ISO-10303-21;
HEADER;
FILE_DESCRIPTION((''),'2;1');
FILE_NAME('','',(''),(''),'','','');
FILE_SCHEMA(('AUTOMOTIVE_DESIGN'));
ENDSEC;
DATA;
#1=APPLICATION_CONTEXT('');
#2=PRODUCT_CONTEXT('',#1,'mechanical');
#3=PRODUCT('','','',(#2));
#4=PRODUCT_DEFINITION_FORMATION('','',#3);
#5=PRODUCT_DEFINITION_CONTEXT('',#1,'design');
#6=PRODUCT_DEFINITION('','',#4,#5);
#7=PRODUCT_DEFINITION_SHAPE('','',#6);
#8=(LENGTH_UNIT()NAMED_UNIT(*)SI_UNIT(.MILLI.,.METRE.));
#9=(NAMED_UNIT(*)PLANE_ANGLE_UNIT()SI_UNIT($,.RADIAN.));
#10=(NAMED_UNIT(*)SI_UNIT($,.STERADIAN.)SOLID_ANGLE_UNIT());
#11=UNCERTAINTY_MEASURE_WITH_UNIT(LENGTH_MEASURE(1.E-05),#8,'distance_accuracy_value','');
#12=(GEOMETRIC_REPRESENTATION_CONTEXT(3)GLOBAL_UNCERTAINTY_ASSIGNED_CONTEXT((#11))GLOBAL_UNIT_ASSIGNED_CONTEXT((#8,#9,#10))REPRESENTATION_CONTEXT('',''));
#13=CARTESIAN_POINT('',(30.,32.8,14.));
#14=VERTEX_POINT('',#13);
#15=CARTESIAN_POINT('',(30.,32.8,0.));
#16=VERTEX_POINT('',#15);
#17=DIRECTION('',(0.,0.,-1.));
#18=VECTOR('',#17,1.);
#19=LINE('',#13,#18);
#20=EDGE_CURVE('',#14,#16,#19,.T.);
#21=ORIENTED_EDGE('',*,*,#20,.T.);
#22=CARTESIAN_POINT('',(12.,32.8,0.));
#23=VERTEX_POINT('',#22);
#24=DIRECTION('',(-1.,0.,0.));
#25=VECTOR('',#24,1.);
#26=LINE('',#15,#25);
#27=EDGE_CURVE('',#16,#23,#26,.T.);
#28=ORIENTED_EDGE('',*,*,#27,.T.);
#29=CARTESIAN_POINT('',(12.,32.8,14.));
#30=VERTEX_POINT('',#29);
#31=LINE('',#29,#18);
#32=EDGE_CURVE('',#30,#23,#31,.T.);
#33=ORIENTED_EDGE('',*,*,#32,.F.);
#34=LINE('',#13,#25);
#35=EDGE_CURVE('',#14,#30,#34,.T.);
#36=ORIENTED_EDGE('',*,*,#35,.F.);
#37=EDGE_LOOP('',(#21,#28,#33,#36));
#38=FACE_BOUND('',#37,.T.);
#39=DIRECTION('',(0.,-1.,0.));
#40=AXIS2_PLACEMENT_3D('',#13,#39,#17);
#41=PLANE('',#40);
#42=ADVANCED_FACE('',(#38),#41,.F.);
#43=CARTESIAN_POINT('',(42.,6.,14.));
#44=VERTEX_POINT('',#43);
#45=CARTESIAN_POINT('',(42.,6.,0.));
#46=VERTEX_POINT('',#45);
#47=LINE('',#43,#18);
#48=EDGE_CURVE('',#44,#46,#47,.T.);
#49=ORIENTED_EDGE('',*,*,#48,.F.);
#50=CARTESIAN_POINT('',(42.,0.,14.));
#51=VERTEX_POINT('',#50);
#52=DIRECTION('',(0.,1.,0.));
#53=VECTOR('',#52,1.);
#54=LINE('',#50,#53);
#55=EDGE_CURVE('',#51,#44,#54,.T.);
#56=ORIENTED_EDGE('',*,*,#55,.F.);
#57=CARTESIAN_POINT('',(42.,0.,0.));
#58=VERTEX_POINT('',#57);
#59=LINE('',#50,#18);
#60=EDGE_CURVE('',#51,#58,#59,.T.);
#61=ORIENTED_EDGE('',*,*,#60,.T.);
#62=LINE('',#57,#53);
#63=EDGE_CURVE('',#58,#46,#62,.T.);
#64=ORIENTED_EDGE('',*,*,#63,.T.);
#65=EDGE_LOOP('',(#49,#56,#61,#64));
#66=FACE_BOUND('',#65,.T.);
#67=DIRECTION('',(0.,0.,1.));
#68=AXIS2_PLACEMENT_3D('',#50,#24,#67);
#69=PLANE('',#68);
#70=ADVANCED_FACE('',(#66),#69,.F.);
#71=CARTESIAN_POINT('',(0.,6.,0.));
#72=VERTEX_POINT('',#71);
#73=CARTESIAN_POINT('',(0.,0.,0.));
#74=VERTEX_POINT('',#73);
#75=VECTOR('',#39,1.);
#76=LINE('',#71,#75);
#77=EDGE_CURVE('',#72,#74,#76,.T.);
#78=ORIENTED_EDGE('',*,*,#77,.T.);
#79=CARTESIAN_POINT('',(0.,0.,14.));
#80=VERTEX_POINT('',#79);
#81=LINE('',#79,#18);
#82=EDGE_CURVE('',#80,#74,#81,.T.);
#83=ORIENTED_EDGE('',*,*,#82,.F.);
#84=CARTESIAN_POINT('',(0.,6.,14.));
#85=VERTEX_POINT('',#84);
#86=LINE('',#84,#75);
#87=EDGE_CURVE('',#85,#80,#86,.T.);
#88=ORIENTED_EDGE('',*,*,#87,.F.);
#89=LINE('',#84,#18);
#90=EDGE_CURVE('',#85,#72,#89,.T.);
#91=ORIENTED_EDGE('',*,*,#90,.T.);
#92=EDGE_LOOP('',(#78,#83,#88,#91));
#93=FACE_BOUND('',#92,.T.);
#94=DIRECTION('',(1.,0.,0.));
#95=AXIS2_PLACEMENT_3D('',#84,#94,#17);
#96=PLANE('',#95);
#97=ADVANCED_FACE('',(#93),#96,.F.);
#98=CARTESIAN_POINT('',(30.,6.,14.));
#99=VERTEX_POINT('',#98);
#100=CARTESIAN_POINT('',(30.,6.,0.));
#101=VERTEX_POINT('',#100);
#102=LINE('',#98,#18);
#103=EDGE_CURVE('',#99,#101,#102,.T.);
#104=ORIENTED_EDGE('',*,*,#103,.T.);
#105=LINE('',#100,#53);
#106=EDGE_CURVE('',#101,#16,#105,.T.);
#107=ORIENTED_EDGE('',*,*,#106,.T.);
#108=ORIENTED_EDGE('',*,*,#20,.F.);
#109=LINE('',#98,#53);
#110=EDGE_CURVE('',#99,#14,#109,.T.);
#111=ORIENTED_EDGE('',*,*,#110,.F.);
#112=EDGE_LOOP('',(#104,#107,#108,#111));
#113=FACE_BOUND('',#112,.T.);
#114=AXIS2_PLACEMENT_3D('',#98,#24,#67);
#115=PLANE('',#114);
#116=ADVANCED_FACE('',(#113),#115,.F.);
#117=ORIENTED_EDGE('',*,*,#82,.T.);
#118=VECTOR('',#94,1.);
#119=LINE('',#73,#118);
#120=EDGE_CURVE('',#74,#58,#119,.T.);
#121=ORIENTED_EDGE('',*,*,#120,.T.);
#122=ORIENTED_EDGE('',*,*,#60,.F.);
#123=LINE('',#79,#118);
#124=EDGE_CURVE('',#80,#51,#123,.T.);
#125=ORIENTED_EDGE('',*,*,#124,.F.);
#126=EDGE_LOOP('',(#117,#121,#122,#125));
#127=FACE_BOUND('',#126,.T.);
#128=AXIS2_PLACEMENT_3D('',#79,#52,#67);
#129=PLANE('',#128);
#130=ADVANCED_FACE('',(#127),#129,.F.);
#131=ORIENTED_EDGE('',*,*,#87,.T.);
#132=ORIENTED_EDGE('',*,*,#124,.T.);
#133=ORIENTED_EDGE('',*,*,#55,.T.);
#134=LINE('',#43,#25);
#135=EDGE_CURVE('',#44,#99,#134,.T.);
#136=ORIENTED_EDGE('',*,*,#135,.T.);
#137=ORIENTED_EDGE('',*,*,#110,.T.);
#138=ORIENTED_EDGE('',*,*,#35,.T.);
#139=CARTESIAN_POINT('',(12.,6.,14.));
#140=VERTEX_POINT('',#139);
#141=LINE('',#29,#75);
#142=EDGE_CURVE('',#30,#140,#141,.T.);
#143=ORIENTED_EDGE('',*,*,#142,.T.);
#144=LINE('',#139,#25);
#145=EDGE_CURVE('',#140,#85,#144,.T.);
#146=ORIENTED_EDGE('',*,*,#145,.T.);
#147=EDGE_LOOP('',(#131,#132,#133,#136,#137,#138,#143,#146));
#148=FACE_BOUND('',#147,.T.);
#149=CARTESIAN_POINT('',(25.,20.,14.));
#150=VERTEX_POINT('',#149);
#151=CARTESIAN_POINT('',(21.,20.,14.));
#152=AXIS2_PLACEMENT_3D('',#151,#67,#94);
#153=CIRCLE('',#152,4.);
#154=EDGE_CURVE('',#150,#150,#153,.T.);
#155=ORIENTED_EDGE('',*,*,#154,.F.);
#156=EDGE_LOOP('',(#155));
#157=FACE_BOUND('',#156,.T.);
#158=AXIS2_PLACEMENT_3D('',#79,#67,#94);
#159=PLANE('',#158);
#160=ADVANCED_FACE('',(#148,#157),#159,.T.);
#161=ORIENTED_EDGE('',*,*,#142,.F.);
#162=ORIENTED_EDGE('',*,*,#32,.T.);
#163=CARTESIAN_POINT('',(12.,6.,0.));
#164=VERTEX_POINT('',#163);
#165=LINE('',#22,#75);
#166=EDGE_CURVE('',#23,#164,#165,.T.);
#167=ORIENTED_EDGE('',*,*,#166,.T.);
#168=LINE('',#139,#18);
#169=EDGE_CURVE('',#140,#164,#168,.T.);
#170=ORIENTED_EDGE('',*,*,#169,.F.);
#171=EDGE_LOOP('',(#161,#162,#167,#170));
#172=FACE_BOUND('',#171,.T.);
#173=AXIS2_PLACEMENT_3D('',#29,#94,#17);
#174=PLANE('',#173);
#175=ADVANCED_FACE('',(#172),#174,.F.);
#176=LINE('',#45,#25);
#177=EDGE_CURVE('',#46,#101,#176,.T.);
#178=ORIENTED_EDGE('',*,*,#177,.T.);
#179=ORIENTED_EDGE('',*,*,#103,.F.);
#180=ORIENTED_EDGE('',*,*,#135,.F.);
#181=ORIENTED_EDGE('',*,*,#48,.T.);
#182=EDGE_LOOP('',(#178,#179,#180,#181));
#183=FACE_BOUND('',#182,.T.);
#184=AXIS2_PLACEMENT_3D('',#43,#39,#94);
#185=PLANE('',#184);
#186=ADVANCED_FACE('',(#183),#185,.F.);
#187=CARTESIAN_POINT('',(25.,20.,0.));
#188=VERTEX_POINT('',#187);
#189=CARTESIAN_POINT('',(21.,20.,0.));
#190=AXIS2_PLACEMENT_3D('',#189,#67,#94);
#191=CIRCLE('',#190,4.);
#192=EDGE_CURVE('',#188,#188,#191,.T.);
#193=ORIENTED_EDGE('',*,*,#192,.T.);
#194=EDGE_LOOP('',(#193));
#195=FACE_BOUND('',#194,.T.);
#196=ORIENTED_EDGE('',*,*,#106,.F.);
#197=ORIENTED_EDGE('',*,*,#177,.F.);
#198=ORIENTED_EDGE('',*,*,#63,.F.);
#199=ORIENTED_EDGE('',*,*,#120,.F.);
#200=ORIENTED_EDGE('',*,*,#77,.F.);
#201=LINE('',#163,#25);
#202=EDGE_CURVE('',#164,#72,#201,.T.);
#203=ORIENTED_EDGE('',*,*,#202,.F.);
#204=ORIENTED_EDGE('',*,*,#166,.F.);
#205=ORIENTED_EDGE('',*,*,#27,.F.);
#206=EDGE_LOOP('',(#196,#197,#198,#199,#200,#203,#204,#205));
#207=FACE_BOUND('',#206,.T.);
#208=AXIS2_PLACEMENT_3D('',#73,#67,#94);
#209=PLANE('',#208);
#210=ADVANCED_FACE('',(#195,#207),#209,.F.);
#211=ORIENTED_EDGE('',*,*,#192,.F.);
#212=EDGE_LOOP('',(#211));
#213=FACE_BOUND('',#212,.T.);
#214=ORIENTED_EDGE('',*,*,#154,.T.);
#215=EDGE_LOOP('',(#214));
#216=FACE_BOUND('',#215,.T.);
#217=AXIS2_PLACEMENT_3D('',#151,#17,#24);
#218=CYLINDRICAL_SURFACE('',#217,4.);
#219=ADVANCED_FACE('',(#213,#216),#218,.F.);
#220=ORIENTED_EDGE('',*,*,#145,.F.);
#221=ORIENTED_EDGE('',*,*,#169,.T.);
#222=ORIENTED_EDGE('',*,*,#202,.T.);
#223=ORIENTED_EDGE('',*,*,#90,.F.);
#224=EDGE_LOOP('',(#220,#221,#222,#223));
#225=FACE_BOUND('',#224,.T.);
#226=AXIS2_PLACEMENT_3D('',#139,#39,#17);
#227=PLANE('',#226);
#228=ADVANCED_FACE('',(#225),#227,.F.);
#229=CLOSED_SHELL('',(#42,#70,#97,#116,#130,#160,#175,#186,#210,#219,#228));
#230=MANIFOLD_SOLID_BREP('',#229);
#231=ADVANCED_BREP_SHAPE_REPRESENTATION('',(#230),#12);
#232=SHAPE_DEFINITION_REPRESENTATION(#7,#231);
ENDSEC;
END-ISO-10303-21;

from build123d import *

# Parameters (mm, degrees)
SKETCH2_R           = 4
BOSS_EXTRUDE1_DEPTH = 14


with BuildPart() as part:
    # Sketch2 → Boss-Extrude1 (new body)
    with BuildSketch(Plane.XY):
        Polygon((0, 0), (42, 0), (42, 6), (30, 6), (30, 32.8), (12, 32.8), (12, 6), (0, 6), align=None)
        with Locations((21, 20)):
            Circle(SKETCH2_R, mode=Mode.SUBTRACT)
    extrude(amount=BOSS_EXTRUDE1_DEPTH)


solid = part.part
